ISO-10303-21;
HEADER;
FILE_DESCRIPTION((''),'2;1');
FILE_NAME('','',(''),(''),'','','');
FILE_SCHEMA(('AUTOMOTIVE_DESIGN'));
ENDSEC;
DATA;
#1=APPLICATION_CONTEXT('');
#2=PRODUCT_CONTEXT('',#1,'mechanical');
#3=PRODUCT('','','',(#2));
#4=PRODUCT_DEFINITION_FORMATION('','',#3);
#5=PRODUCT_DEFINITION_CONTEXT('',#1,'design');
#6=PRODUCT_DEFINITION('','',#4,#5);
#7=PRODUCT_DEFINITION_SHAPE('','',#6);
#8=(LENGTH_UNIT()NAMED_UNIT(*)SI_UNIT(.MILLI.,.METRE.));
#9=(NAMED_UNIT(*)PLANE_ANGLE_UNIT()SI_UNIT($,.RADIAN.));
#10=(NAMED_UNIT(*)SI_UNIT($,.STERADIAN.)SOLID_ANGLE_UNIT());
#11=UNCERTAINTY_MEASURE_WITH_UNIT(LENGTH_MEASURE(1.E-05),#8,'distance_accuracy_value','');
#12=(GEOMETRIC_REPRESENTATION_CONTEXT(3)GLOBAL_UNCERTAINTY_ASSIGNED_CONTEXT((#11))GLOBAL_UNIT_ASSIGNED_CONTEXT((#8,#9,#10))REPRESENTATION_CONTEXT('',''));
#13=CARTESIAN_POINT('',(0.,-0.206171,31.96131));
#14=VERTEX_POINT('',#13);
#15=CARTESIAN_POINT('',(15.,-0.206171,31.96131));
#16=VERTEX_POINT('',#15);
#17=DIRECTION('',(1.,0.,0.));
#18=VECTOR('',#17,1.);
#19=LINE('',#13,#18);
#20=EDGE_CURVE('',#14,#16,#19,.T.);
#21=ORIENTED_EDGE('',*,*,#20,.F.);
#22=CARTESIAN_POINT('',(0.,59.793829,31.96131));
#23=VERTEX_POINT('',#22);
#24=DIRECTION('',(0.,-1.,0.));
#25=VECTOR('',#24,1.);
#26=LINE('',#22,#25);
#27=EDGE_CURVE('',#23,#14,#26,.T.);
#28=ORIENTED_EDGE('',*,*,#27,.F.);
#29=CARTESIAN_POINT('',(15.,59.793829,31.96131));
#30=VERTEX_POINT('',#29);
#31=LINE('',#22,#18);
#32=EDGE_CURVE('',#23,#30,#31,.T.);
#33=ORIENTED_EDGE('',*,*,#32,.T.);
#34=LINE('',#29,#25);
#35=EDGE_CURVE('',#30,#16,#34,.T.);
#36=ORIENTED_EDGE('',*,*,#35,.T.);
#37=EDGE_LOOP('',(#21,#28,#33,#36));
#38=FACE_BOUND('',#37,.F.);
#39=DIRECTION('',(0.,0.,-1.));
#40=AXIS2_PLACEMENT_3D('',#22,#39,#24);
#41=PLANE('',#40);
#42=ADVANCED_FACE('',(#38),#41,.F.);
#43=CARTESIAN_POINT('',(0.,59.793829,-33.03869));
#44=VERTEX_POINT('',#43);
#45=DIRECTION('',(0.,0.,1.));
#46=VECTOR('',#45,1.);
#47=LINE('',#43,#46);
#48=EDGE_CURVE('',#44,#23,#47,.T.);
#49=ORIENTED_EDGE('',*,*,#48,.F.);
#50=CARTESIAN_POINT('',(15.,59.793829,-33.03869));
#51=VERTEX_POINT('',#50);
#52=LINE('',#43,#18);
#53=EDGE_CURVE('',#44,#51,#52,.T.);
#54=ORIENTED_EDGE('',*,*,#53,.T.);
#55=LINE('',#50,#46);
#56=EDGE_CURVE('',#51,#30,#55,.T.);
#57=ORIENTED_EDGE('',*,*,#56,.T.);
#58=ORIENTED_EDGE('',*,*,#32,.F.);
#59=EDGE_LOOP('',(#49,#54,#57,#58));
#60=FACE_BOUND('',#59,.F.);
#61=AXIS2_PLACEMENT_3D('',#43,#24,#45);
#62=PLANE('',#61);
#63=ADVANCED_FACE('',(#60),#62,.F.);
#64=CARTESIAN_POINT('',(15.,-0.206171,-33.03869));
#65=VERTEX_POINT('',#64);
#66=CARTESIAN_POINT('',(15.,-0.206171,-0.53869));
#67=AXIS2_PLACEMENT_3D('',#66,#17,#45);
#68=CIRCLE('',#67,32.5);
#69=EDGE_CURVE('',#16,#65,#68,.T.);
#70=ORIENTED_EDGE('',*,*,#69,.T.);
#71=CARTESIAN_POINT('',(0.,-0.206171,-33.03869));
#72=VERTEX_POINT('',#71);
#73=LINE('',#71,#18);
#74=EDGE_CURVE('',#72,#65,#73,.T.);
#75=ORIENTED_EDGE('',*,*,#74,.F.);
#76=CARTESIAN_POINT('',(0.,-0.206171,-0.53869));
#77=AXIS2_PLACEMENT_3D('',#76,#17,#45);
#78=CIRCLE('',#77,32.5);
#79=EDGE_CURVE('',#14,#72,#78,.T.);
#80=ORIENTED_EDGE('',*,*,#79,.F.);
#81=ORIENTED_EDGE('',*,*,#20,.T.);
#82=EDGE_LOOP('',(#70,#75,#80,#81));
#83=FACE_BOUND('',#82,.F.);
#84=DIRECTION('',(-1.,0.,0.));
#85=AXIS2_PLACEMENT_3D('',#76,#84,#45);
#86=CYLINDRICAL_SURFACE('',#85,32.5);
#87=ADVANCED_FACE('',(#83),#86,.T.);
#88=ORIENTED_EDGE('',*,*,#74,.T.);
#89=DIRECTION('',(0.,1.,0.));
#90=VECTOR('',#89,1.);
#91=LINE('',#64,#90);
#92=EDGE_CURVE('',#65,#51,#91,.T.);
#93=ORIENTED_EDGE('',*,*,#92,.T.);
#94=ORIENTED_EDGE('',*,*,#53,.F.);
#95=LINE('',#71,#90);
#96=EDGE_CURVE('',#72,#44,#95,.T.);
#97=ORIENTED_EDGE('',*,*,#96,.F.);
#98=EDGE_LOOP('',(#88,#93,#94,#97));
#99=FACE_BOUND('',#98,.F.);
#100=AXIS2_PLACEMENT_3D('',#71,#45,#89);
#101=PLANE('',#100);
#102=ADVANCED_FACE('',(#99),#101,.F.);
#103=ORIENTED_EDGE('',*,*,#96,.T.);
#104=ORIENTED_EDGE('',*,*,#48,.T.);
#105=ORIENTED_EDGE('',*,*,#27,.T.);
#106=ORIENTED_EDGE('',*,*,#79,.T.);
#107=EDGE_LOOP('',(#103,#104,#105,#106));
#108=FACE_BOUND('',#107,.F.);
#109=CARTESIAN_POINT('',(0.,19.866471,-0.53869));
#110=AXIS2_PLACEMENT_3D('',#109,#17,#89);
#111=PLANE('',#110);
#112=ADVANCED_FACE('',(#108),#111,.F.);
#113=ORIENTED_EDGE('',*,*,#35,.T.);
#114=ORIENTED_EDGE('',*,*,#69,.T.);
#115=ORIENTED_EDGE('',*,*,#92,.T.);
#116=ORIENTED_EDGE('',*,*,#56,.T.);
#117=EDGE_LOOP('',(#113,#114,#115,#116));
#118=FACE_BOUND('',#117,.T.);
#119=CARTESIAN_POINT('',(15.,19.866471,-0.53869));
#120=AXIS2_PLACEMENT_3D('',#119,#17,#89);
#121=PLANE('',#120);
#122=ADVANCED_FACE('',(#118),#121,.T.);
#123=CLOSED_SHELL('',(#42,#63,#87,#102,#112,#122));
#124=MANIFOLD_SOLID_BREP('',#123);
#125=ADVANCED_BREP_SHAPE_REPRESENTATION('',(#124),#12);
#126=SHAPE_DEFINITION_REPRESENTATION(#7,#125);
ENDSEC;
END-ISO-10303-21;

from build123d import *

# Parameters (mm, degrees)
F1_DEPTH = 15


with BuildPart() as f1:
    # F0 (on Right) → F1 (new body)
    with BuildSketch(Plane.YZ):
        with BuildLine():
            Line((59.793829, 31.96131), (-0.206171, 31.96131))
            ThreePointArc((-0.206171, 31.96131), (-32.706171, -0.53869), (-0.206171, -33.03869))
            Line((-0.206171, -33.03869), (59.793829, -33.03869))
            Line((59.793829, -33.03869), (59.793829, 31.96131))
        make_face()
    extrude(amount=F1_DEPTH)


solid = f1.part
